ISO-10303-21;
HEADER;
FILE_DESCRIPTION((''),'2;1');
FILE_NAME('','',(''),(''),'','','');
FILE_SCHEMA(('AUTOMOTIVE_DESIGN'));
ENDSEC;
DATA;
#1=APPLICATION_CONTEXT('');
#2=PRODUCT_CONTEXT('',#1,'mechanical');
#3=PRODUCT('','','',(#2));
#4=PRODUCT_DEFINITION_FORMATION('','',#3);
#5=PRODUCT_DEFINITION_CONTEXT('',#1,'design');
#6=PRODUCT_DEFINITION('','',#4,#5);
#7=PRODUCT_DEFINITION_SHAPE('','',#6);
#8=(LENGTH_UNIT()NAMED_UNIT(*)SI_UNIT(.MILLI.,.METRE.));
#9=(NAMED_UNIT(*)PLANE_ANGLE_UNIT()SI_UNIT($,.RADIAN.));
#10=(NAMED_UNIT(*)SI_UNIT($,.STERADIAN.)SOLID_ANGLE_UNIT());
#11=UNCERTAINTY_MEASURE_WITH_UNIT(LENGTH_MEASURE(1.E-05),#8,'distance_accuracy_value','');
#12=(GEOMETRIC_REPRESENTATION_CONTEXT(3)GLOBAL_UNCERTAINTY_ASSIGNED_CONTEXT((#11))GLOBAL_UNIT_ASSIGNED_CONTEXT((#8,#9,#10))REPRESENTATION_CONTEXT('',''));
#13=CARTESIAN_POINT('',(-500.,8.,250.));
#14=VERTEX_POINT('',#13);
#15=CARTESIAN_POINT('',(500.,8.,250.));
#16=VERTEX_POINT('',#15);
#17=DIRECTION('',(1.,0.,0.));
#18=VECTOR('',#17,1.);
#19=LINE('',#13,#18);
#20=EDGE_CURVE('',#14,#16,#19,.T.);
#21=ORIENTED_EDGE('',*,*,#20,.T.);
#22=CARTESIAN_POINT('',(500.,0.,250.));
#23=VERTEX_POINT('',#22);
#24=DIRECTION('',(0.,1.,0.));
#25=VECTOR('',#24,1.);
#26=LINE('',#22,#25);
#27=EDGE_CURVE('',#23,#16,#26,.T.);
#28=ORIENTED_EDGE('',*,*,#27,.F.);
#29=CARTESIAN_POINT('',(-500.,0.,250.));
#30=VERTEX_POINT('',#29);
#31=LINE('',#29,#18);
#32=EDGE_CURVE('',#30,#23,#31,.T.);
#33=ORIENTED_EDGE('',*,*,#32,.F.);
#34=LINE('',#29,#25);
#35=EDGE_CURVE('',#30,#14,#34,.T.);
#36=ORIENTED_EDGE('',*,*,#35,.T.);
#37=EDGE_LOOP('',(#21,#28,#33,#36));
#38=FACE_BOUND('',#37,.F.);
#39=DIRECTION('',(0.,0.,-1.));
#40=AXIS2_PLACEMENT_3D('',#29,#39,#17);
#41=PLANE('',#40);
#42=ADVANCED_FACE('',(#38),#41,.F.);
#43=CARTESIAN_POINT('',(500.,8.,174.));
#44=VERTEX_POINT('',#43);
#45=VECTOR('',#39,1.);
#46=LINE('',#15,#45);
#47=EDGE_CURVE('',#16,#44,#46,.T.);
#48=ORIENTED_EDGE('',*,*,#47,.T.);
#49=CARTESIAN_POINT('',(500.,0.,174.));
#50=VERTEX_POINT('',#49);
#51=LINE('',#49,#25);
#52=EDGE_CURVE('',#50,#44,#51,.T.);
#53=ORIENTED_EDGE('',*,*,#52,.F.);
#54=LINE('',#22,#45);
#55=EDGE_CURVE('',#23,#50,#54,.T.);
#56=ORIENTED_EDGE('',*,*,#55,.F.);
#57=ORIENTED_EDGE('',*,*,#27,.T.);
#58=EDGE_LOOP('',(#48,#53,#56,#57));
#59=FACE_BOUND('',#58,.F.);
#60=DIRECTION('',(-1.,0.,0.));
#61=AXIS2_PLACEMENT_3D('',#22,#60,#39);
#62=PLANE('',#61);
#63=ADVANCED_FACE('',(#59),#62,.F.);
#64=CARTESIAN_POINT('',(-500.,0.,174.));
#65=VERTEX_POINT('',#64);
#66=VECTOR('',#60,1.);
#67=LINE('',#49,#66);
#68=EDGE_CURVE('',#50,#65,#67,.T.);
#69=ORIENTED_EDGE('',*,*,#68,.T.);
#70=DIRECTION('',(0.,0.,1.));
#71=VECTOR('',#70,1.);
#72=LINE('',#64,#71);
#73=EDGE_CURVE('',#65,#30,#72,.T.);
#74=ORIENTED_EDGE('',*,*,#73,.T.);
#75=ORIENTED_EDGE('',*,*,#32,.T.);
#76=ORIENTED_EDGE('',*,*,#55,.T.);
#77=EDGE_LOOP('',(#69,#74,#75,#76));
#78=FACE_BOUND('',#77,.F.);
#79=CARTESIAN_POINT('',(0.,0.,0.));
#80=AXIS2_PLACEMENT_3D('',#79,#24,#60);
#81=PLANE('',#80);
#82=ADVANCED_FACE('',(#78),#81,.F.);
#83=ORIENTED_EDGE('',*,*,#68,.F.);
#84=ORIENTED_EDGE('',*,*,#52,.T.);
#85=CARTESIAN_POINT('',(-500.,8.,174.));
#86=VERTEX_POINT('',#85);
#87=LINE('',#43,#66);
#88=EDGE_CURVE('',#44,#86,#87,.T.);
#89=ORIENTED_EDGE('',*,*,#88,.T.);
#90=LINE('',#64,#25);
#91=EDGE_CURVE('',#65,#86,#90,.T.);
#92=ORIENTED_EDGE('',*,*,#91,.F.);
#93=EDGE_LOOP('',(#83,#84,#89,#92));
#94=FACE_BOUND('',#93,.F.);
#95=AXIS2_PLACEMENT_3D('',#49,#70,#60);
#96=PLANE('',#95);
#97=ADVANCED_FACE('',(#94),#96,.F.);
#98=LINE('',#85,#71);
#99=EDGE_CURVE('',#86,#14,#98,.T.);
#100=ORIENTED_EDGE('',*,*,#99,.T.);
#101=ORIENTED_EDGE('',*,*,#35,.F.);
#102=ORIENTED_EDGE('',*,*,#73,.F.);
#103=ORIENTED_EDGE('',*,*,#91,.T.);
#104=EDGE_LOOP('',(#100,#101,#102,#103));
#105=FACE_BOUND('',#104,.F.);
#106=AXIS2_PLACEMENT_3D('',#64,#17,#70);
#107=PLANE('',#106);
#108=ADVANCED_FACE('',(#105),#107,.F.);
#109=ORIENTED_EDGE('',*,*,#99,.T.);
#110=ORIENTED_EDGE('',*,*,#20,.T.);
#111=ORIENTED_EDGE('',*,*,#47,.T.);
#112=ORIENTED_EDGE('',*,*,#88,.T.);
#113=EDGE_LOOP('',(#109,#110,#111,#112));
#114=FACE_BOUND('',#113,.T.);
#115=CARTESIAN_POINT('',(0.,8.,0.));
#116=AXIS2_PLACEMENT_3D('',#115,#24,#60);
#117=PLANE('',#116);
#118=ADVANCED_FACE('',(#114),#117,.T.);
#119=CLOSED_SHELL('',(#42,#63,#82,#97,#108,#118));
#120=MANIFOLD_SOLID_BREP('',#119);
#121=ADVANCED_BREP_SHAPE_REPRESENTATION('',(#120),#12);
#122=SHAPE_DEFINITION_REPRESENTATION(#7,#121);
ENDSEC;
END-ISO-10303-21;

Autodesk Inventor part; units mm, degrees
ref_plane "YZ Plane" through (0, 0, 0) normal (1, 0, 0) x (0, 1, 0)
ref_plane "XZ Plane" through (0, 0, 0) normal (0, 1, 0) x (-1, 0, 0)
ref_plane "XY Plane" through (0, 0, 0) normal (0, 0, 1) x (1, 0, 0)
sketch "Эскиз1" plane through (0, 0, 0) normal (0, 1, 0) x (-1, 0, 0)
  line L0 (500, 250) -> (-500, 250)
  line L1 (-500, 250) -> (-500, 174)
  line L2 (-500, 174) -> (500, 174)
  line L3 (500, 174) -> (500, 250)
  point P0 (0, 0)
  dimension "d0" = 1000
  dimension "d1" = 76
extrude "Выдавливание1" add sketch "Эскиз1" along normal blind 8
properties part number "Stenki"
